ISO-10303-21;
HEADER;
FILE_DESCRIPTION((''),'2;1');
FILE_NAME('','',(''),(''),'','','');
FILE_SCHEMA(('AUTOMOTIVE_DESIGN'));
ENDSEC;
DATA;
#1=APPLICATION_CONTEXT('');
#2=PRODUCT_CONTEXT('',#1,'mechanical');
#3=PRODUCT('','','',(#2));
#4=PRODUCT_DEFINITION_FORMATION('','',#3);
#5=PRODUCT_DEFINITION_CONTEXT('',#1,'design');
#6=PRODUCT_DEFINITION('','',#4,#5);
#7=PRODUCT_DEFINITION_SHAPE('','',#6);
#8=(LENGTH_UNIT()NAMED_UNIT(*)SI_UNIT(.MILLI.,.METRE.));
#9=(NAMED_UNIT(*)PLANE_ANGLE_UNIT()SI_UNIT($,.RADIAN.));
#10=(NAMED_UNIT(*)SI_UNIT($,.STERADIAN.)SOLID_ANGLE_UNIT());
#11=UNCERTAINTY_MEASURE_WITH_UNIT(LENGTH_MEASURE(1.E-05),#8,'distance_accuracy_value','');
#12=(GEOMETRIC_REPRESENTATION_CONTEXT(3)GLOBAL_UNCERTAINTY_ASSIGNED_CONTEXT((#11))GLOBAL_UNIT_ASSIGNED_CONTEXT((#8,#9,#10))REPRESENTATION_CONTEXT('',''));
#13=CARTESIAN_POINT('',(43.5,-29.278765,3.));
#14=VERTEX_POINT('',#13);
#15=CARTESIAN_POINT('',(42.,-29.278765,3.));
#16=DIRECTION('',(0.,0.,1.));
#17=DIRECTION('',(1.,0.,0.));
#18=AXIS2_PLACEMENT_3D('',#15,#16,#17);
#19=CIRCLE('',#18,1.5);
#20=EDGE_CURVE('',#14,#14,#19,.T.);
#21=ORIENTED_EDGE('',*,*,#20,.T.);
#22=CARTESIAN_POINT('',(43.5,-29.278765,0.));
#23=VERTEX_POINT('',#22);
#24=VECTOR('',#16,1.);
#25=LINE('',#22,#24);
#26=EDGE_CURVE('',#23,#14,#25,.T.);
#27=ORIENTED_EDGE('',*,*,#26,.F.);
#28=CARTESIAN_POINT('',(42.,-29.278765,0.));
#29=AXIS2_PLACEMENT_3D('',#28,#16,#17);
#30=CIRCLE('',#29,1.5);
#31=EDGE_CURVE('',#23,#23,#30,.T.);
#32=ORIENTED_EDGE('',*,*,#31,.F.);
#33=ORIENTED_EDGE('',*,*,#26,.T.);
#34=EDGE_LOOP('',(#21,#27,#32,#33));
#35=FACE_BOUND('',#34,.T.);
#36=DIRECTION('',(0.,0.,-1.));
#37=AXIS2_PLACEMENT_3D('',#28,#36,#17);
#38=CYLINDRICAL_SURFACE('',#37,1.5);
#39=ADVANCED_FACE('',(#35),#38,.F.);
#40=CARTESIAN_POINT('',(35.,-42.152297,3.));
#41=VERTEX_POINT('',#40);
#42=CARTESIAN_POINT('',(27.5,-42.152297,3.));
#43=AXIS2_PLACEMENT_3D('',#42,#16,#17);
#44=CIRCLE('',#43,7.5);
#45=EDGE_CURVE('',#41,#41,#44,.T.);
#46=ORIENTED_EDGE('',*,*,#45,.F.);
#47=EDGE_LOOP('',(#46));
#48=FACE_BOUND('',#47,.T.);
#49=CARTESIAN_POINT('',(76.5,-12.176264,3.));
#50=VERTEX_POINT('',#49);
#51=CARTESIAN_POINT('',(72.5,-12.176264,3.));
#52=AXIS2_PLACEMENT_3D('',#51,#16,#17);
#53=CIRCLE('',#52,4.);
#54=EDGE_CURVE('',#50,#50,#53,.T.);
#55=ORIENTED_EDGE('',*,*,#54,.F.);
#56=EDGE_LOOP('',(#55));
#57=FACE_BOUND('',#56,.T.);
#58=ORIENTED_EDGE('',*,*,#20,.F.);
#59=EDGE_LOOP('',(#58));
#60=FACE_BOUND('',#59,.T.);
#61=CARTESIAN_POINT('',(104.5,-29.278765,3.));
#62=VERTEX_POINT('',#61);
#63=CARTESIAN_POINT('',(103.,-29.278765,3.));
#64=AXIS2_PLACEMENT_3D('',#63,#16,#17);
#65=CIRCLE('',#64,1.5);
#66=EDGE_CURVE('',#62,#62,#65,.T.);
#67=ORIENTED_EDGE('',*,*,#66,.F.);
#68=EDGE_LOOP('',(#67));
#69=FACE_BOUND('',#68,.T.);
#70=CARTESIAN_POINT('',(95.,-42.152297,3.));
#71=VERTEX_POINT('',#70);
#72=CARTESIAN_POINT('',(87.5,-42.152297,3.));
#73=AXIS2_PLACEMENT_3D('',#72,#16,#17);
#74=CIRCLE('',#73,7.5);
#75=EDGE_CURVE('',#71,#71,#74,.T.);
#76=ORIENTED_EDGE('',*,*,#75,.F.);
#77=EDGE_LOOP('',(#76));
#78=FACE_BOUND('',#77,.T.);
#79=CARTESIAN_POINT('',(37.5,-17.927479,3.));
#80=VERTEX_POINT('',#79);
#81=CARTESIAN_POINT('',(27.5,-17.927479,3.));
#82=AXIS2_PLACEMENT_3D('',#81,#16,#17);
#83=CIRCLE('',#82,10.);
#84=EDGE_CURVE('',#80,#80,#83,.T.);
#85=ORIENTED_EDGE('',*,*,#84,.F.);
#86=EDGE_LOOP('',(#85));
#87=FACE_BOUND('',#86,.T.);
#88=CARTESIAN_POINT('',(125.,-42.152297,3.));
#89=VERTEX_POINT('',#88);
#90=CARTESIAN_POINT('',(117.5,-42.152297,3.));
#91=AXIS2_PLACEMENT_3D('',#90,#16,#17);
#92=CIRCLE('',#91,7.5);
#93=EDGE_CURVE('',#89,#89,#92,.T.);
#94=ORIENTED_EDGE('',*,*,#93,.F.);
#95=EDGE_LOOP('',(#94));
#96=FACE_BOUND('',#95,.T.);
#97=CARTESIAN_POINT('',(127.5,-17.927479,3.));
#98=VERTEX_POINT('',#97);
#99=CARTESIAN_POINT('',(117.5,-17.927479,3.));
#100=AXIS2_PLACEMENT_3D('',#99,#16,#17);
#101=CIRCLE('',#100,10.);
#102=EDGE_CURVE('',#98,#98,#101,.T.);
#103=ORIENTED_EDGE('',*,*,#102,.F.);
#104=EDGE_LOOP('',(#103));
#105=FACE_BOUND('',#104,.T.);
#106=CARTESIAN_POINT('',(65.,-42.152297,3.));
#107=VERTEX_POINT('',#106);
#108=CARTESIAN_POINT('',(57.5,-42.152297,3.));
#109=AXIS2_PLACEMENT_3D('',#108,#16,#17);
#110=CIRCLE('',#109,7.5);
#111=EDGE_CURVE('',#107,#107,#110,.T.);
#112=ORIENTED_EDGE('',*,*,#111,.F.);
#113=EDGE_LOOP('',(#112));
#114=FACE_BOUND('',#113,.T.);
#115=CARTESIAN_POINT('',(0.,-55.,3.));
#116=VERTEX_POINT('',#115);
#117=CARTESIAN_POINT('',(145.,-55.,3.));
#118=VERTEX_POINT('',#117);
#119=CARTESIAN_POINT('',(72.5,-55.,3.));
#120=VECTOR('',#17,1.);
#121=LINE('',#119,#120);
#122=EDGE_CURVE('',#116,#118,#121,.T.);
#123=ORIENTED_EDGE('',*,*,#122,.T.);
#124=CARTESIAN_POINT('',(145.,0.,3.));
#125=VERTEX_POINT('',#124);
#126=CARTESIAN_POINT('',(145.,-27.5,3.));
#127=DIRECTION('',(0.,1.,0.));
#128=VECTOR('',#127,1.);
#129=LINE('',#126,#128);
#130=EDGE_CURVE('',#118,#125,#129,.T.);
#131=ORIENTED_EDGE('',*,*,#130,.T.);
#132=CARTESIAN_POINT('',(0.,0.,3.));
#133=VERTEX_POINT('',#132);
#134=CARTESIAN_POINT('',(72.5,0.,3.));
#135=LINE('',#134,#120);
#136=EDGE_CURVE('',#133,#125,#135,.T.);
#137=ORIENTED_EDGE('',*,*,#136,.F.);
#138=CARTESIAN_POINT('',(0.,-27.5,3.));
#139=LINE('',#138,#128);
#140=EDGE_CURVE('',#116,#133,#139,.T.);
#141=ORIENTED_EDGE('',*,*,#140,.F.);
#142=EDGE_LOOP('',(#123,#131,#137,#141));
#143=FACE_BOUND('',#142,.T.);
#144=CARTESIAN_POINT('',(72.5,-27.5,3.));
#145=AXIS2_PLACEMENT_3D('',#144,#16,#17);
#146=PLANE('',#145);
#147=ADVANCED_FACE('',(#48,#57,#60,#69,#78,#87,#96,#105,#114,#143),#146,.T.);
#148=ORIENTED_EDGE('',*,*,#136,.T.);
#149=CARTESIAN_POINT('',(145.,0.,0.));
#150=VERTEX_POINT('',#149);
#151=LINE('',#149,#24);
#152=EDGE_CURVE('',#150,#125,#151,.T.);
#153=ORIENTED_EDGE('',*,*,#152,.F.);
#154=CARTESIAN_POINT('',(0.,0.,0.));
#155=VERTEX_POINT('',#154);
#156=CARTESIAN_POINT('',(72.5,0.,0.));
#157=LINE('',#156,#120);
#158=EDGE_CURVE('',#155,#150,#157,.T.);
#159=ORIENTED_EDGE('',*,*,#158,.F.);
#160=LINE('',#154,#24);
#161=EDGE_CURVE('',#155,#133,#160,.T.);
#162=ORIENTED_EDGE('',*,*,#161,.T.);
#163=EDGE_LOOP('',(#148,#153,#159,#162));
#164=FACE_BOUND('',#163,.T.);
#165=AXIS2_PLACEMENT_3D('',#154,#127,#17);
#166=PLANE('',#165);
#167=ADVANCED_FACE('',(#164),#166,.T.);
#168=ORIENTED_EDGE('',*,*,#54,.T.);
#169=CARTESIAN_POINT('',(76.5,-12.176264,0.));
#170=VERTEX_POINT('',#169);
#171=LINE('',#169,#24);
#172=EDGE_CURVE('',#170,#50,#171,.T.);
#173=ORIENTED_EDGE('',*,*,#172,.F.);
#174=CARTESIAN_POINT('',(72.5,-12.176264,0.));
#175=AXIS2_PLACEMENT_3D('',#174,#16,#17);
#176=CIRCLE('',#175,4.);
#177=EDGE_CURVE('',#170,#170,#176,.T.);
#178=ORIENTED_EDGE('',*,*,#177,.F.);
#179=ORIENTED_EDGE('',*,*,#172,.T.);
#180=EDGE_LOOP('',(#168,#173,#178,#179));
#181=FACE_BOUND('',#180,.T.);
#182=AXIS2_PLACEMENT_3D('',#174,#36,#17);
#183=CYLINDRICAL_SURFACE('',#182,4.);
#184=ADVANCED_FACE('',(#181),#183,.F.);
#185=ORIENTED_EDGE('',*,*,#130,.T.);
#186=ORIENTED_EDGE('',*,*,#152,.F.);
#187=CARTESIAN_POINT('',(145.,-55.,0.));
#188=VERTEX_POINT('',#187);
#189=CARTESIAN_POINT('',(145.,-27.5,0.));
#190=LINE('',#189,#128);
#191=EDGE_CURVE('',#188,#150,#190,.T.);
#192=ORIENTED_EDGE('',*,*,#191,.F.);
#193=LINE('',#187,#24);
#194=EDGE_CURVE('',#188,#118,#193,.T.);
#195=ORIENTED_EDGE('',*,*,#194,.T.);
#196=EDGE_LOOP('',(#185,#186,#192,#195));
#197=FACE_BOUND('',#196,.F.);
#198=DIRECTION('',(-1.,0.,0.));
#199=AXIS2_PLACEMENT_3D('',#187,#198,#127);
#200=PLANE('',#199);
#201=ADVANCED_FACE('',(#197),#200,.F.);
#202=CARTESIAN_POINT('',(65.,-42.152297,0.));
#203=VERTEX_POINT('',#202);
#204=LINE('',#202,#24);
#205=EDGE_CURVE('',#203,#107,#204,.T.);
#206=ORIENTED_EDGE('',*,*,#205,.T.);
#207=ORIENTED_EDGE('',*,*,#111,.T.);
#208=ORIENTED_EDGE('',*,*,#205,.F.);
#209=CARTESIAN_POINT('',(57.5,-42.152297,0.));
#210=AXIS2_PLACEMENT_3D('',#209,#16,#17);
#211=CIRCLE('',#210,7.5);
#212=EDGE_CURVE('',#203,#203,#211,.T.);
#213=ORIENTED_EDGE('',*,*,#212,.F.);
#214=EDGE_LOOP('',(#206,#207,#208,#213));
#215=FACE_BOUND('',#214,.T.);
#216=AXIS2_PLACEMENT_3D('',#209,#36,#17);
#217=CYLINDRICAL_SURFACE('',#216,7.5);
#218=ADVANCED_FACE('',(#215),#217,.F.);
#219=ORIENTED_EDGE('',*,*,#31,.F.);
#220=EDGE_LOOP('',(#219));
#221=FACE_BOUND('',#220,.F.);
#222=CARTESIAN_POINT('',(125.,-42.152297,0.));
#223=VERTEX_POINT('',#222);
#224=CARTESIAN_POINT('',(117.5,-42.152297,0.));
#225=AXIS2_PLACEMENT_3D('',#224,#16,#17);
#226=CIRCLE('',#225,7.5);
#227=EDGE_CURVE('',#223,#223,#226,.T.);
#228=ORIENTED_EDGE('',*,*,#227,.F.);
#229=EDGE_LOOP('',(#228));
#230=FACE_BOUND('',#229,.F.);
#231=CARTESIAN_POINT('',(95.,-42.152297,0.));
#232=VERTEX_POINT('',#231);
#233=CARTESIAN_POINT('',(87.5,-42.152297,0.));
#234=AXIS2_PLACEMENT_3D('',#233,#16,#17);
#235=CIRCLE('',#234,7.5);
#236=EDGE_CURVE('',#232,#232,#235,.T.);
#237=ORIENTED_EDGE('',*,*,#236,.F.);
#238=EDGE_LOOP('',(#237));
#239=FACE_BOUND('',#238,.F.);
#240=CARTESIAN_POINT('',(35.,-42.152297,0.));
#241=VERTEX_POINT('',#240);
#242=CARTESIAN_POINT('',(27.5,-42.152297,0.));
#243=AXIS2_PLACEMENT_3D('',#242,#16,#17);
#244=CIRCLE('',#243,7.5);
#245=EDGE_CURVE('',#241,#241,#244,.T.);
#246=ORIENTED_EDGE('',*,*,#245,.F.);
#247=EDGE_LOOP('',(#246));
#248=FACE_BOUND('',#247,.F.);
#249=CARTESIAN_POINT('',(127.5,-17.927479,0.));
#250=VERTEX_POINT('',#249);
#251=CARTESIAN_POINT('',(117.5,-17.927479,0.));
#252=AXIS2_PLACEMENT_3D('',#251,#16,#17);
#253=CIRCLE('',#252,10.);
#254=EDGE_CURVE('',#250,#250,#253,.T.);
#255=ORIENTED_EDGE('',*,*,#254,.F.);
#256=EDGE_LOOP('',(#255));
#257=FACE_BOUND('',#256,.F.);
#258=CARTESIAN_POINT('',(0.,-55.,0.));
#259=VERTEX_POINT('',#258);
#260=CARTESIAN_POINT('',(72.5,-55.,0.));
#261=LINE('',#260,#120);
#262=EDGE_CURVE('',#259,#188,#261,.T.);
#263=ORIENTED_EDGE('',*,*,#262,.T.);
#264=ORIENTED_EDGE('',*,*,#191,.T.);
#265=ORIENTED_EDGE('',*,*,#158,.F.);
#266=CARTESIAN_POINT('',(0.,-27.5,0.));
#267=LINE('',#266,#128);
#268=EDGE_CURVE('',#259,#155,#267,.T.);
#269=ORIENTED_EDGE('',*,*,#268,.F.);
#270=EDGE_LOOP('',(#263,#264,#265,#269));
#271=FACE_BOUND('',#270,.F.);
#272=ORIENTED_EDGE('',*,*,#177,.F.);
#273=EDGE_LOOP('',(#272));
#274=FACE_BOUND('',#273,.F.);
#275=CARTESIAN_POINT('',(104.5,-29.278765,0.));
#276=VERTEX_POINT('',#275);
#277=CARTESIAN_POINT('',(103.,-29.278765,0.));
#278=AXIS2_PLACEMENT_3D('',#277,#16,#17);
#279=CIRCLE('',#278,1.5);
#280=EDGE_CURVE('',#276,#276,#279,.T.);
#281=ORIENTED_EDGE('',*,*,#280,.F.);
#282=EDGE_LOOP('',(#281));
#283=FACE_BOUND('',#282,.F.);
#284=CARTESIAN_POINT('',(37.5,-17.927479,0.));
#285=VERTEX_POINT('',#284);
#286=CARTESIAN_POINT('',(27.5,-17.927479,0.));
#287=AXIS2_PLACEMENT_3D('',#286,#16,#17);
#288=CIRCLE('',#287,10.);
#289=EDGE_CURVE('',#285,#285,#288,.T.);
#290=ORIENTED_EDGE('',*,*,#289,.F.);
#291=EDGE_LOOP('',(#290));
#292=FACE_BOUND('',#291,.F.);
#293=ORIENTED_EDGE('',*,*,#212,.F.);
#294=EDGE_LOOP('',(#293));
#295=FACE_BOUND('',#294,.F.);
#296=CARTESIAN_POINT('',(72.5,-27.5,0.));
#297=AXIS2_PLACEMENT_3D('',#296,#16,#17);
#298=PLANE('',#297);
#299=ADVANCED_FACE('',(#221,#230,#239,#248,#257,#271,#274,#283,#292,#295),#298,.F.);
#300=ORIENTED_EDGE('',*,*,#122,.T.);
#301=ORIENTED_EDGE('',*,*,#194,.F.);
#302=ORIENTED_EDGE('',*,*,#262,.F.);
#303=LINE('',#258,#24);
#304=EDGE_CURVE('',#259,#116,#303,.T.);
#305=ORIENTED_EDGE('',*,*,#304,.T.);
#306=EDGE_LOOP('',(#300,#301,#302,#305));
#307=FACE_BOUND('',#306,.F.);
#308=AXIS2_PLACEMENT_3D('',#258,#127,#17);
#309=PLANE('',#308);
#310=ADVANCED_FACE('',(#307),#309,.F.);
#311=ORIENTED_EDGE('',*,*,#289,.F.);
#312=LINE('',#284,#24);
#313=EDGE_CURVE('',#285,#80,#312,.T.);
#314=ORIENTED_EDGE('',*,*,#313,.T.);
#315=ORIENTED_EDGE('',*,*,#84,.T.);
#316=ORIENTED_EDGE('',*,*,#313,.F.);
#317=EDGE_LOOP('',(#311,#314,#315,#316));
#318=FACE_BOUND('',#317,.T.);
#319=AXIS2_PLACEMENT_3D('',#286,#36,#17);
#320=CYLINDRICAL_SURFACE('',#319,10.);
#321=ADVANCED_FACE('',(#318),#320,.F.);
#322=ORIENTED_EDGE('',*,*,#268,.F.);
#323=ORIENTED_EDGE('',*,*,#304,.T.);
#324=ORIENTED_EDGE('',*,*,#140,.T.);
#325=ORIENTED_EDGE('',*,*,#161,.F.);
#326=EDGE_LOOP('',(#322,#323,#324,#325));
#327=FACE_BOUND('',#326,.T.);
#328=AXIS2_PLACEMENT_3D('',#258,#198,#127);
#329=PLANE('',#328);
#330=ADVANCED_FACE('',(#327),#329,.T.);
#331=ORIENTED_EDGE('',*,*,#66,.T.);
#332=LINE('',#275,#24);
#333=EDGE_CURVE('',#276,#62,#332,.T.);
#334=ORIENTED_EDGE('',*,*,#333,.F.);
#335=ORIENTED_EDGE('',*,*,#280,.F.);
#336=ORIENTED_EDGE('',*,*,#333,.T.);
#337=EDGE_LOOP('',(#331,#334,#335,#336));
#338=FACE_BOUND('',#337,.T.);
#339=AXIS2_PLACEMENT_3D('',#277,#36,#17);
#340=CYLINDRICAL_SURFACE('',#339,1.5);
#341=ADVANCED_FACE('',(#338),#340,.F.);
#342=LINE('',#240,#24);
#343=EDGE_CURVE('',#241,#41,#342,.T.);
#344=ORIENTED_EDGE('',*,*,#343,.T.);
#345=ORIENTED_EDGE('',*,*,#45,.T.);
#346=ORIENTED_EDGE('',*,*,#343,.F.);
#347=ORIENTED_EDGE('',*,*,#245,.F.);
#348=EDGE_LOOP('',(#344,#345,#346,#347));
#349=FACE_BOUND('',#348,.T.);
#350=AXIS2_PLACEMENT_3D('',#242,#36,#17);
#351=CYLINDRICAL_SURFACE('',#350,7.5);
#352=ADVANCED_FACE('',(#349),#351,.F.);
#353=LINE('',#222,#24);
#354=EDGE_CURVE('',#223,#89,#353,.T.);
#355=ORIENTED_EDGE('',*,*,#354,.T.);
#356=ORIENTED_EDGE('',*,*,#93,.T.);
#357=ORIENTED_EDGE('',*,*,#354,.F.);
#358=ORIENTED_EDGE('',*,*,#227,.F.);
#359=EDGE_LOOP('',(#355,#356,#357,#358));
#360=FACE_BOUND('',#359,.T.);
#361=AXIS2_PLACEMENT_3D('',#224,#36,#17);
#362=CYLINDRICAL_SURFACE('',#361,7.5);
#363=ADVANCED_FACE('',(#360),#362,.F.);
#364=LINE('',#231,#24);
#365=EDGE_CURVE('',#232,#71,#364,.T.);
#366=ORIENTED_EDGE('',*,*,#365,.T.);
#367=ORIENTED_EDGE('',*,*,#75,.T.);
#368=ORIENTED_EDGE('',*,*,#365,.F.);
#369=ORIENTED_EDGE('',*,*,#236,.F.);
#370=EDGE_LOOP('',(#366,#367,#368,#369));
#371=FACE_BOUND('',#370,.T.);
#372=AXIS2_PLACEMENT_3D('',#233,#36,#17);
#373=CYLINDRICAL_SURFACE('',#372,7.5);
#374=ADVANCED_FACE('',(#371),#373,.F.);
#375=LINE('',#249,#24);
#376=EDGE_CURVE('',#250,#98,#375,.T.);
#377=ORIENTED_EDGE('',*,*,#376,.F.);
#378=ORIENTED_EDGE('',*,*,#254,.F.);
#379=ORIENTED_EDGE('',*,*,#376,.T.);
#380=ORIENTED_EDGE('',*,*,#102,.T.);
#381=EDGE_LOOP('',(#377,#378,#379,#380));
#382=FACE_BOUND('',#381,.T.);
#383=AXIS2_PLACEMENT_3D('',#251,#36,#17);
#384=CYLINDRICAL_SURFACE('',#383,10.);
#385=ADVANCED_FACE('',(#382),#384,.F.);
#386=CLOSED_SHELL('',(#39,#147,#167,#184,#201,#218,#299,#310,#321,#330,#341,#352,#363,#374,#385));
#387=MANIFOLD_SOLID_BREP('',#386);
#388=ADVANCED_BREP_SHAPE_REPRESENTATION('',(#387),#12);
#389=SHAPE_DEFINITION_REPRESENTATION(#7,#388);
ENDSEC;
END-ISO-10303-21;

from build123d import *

# Parameters (mm, degrees)
F0_W     = 145
F0_H     = 55
F0_R     = 7.5
F0_R_2   = 1.5
F0_R_3   = 10
F0_R_4   = 4
F1_DEPTH = 3


with BuildPart() as f1:
    # F0 (on Top) → F1 (new body)
    with BuildSketch(Plane.XY):
        with Locations((72.5, -27.5)):
            Rectangle(F0_W, F0_H)
        with Locations((27.5, -42.152297)):
            Circle(F0_R, mode=Mode.SUBTRACT)
        with Locations((57.5, -42.152297)):
            Circle(F0_R, mode=Mode.SUBTRACT)
        with Locations((42, -29.278765)):
            Circle(F0_R_2, mode=Mode.SUBTRACT)
        with Locations((87.5, -42.152297)):
            Circle(F0_R, mode=Mode.SUBTRACT)
        with Locations((117.5, -42.152297)):
            Circle(F0_R, mode=Mode.SUBTRACT)
        with Locations((103, -29.278765)):
            Circle(F0_R_2, mode=Mode.SUBTRACT)
        with Locations((27.5, -17.927479)):
            Circle(F0_R_3, mode=Mode.SUBTRACT)
        with Locations((117.5, -17.927479)):
            Circle(F0_R_3, mode=Mode.SUBTRACT)
        with Locations((72.5, -12.176264)):
            Circle(F0_R_4, mode=Mode.SUBTRACT)
    extrude(amount=F1_DEPTH)


solid = f1.part
